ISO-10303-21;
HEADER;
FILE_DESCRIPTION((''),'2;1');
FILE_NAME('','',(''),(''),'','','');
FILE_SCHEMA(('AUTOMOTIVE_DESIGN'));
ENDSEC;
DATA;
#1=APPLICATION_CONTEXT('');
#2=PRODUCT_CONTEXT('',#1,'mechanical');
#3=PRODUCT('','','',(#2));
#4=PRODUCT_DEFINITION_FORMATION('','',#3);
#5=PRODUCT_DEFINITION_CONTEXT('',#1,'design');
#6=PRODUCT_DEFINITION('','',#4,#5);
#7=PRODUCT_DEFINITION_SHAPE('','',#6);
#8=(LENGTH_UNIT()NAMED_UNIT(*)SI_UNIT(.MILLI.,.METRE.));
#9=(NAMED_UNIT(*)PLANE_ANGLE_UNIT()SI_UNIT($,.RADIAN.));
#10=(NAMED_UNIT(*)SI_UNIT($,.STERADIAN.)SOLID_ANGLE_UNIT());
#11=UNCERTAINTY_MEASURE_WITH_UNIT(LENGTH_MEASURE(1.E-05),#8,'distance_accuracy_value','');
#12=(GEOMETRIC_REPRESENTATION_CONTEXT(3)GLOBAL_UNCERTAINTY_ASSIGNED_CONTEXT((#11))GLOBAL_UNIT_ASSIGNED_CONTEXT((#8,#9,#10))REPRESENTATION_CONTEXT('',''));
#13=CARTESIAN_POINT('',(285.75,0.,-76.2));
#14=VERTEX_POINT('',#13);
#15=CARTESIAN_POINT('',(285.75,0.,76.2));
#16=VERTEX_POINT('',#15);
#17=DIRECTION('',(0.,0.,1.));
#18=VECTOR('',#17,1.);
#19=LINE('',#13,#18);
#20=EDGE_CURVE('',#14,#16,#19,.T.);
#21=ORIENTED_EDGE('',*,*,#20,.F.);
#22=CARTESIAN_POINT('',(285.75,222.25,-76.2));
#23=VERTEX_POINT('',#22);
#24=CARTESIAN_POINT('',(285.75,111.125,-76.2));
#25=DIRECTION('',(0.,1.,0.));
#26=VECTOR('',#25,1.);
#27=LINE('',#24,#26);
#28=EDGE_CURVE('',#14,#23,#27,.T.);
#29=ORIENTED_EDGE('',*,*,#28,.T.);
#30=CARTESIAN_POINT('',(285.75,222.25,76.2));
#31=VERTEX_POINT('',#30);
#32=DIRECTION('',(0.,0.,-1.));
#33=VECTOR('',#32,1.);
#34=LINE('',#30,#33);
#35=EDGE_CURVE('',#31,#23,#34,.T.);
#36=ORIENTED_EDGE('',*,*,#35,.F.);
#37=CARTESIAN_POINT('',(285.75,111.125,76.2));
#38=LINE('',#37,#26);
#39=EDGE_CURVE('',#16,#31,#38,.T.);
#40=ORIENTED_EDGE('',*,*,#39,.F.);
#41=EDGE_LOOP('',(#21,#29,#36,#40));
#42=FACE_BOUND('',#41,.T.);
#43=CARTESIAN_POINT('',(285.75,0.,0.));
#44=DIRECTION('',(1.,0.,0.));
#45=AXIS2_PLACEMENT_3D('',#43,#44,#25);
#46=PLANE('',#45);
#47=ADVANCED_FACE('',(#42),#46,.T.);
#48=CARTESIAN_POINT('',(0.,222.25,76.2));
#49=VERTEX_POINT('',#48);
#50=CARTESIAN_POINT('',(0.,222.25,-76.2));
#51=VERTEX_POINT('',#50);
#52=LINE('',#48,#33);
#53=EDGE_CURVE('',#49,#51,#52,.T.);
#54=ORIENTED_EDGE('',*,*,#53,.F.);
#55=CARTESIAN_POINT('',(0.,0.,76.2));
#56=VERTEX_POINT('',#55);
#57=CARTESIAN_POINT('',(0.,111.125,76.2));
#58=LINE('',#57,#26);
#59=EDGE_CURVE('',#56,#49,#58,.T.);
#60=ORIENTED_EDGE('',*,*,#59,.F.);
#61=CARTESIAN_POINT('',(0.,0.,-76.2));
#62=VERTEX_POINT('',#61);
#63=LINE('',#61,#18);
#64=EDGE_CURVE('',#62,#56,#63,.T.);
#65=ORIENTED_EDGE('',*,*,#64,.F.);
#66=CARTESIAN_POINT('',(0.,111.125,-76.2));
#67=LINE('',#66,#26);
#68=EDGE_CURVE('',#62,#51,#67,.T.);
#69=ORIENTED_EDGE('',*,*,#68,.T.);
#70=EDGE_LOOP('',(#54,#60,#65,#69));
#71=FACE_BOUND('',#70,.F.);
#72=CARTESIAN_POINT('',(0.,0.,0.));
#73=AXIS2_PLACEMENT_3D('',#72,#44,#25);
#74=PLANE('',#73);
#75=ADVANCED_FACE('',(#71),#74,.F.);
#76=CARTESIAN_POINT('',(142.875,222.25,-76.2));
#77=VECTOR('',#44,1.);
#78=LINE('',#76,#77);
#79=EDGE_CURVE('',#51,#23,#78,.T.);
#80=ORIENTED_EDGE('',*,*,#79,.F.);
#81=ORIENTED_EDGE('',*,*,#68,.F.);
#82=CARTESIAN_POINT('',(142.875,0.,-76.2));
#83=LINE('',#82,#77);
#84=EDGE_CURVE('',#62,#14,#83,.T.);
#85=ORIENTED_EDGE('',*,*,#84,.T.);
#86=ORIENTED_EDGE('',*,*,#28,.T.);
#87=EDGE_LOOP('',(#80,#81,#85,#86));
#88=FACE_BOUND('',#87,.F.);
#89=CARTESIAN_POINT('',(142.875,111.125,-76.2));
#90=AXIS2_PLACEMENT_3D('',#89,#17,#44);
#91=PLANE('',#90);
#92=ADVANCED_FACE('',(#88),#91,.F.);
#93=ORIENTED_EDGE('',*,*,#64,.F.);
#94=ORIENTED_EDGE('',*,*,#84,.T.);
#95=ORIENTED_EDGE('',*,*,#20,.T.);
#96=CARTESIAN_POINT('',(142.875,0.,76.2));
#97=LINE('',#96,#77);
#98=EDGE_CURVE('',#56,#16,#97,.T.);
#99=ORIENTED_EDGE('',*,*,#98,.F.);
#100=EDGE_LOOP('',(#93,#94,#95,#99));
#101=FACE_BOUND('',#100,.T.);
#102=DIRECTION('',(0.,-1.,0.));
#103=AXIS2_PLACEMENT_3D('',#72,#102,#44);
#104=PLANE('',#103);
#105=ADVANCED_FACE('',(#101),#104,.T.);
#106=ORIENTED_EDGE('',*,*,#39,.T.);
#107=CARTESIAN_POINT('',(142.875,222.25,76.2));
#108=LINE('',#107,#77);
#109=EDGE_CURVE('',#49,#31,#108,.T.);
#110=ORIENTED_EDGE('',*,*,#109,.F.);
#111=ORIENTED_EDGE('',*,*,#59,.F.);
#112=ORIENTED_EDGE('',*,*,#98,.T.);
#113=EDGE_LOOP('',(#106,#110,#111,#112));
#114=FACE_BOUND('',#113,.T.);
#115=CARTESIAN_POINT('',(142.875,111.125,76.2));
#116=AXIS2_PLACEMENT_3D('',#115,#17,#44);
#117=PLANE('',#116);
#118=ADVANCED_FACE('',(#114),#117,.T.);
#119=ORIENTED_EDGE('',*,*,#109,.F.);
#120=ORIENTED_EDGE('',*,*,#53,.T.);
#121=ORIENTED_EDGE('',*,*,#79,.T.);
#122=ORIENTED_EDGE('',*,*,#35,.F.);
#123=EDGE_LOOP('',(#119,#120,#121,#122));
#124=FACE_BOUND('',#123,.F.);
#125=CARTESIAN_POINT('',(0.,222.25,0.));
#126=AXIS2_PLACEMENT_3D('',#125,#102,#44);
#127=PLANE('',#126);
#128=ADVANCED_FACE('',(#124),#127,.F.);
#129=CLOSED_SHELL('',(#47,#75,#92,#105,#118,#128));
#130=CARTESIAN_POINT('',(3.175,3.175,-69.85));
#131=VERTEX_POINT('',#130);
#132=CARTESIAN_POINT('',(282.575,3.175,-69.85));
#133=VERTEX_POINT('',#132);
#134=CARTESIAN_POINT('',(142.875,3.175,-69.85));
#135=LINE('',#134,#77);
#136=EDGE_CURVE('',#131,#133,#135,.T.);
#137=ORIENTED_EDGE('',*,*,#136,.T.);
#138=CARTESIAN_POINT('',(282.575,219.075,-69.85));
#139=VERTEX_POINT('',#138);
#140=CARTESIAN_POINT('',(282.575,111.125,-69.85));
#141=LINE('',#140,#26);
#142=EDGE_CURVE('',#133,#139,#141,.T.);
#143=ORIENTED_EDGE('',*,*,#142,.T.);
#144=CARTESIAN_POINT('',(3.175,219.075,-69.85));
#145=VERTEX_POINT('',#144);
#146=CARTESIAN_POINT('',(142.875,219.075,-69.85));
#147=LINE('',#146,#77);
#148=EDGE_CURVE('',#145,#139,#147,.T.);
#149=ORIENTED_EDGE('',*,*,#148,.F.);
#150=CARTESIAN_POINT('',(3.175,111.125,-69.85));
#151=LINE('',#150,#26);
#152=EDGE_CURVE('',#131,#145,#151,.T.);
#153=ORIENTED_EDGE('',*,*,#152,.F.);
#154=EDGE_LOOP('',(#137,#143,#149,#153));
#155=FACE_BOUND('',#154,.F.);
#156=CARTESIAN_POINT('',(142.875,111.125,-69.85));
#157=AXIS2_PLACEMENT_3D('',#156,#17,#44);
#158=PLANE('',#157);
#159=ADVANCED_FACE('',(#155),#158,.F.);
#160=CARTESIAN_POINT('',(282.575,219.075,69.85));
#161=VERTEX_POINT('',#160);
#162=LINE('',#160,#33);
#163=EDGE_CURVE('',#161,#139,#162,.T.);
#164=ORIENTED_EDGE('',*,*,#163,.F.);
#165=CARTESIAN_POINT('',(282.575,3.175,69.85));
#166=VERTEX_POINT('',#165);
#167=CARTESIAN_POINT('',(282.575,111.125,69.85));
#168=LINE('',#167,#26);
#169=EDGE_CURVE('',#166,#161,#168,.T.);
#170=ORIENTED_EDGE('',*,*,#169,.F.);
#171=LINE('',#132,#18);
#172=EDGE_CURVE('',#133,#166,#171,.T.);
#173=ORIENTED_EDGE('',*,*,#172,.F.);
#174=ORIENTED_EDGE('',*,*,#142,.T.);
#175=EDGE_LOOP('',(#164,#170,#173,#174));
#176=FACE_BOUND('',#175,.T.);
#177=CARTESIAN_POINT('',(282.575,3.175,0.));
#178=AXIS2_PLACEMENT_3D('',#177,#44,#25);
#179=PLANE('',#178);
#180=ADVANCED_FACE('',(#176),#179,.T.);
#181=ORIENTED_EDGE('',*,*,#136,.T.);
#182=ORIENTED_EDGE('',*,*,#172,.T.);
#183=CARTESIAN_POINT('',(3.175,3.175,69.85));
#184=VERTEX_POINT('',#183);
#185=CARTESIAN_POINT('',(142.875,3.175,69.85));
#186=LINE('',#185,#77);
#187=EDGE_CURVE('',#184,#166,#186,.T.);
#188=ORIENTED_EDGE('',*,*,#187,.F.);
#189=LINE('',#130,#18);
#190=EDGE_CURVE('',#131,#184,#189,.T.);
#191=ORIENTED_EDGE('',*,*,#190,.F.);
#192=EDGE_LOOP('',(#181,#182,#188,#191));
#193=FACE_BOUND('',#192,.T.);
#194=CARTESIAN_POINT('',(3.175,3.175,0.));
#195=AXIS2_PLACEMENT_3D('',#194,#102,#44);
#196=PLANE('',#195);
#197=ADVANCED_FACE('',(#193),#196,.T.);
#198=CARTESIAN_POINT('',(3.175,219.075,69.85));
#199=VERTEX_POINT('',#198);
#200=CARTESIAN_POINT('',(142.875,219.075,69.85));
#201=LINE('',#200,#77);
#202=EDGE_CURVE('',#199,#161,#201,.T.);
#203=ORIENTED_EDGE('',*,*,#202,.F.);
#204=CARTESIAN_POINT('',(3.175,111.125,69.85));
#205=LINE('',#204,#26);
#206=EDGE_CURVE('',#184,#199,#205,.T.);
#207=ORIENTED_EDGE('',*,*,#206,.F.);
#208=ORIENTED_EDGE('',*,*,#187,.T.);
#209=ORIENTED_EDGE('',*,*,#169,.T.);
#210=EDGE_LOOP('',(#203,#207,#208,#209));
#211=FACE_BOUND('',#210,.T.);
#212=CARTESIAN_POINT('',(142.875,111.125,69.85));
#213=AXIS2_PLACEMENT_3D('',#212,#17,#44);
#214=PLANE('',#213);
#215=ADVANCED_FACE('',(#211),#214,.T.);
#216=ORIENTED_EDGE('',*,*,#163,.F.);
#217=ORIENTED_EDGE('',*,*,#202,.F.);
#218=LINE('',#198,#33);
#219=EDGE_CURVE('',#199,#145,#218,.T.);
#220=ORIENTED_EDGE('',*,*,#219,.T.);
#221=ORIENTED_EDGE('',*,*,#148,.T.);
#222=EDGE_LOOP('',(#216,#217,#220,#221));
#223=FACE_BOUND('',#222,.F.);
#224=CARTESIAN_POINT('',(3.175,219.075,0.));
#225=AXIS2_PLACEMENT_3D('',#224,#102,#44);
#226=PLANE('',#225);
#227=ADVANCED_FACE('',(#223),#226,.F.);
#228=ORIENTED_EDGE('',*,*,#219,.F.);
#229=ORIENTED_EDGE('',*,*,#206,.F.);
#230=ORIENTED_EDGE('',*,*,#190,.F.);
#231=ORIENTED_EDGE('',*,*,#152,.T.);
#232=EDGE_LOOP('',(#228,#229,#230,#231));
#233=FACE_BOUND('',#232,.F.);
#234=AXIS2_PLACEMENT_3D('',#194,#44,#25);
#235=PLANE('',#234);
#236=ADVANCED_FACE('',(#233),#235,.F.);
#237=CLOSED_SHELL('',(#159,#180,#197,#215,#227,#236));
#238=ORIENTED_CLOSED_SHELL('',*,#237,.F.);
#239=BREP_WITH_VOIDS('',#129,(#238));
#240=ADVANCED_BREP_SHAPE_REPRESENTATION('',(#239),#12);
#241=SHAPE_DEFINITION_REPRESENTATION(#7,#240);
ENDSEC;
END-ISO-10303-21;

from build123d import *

# Parameters (mm, degrees)
F0_W     = 285.75
F0_H     = 222.25
F1_DEPTH = 76.2
F2_W     = 279.4
F2_H     = 215.9
F3_DEPTH = 69.85


with BuildPart() as f1:
    # F0 (on Top) → F1 (new body, symmetric)
    with BuildSketch(Plane.XY):
        with Locations((142.875, 111.125)):
            Rectangle(F0_W, F0_H)
    extrude(amount=F1_DEPTH, both=True)

    # F2 (on Top) → F3 (cut, symmetric)
    with BuildSketch(Plane.XY):
        with Locations((142.875, 111.125)):
            Rectangle(F2_W, F2_H)
    extrude(amount=F3_DEPTH, both=True, mode=Mode.SUBTRACT)


solid = f1.part
